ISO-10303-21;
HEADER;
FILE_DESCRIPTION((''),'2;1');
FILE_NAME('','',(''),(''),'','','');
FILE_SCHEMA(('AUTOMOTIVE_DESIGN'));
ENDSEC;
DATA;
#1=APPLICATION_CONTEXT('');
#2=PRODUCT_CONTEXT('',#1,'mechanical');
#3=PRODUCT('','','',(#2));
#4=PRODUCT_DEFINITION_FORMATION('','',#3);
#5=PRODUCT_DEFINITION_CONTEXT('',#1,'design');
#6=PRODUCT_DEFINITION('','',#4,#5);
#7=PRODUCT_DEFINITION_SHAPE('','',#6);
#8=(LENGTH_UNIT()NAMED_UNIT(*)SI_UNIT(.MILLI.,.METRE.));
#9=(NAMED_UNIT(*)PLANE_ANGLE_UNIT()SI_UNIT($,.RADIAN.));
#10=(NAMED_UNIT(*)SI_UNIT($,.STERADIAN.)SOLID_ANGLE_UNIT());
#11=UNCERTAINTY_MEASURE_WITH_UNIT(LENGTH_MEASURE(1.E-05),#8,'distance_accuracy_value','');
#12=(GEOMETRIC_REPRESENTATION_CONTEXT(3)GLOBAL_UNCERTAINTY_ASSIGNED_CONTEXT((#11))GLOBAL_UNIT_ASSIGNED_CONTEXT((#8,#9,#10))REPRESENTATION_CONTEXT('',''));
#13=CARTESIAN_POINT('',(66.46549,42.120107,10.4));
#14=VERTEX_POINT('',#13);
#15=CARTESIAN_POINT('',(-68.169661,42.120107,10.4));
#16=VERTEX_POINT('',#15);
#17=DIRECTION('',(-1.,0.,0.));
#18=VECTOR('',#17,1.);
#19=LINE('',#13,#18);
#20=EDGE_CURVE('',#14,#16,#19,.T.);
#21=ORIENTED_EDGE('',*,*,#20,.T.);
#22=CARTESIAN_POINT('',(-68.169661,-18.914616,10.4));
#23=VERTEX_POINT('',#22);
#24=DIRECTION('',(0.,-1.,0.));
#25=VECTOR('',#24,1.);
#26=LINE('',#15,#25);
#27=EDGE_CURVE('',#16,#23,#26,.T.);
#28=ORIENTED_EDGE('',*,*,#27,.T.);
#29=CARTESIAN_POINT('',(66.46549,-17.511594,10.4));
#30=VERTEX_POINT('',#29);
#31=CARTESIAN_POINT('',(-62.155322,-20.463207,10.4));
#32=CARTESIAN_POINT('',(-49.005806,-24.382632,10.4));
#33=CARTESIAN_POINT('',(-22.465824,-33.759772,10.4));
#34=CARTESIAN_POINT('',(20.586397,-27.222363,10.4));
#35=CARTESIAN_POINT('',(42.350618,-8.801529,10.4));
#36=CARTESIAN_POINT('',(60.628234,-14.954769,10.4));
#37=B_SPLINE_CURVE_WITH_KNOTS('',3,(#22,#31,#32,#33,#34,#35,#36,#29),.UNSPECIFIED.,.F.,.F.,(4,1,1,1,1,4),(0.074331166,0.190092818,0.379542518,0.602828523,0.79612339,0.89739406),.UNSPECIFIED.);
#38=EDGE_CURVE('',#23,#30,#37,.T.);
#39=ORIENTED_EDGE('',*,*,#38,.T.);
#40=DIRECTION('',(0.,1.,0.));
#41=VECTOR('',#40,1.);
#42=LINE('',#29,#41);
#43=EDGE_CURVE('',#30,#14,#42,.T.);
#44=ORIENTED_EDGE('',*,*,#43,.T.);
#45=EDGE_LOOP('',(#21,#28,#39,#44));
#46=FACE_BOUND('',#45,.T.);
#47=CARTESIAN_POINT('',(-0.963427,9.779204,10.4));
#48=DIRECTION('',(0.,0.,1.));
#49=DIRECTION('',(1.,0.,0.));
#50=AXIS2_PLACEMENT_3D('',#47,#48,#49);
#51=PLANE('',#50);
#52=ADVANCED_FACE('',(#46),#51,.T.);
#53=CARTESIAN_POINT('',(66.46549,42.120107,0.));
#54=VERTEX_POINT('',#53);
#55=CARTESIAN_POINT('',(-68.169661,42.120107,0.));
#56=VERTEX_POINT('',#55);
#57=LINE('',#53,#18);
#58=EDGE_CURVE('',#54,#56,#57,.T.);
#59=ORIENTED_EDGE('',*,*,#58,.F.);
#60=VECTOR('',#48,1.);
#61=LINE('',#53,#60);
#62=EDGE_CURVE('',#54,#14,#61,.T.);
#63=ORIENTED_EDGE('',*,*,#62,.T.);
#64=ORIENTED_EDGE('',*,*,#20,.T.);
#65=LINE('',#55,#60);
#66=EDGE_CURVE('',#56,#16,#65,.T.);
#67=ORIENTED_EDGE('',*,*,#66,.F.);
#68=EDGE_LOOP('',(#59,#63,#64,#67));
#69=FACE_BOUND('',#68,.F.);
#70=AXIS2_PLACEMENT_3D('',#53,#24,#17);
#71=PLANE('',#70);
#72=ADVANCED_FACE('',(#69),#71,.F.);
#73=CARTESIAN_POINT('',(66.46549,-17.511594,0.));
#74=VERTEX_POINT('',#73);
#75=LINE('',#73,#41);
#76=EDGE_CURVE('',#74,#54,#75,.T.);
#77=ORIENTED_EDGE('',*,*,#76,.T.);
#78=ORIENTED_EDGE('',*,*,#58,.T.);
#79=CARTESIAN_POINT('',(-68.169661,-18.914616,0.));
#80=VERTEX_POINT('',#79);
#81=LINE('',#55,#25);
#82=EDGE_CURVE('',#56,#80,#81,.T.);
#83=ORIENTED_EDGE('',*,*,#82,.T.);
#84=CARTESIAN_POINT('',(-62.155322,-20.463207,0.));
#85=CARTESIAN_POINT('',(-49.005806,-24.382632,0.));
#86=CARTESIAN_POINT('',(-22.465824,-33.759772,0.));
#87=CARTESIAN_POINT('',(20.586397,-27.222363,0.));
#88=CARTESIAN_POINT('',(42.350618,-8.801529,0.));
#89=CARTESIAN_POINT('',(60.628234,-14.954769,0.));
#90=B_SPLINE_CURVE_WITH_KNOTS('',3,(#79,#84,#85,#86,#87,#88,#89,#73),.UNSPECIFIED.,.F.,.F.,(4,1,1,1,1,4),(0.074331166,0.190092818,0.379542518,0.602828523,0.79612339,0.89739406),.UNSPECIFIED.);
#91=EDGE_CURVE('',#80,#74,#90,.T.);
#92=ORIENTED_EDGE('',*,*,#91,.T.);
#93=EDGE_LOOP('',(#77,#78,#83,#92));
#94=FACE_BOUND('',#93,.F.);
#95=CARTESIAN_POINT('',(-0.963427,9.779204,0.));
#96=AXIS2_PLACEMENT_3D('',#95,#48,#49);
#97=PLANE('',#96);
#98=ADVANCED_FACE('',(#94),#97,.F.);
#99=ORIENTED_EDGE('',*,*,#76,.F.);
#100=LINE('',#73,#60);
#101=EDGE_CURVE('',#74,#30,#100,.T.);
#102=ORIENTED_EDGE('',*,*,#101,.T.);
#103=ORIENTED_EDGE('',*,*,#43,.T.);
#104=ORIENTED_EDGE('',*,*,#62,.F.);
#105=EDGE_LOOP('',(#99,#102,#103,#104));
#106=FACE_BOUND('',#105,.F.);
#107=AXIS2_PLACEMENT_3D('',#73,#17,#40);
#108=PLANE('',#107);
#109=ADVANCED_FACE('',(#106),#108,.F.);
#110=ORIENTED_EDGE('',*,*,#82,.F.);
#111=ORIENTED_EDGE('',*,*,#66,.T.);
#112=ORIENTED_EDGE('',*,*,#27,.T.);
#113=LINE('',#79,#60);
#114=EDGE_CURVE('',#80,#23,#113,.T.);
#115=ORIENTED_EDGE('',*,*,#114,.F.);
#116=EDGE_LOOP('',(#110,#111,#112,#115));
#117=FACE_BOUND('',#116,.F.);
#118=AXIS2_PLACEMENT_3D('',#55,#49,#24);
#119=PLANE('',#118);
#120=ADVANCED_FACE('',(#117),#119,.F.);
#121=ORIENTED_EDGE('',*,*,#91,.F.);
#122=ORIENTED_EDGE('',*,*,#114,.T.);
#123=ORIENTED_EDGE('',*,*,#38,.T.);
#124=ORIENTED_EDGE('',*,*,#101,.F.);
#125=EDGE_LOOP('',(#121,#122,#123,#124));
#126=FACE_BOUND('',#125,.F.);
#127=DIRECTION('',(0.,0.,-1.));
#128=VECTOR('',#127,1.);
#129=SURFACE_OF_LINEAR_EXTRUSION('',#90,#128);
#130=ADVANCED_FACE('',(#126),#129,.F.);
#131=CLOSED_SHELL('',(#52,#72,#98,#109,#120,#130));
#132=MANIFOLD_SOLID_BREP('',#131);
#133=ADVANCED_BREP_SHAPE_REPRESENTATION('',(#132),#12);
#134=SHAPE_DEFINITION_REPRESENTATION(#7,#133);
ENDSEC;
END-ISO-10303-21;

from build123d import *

# Parameters (mm, degrees)
F1_DEPTH = 10.4


with BuildPart() as f1:
    # F0 (on Top) → F1 (new body)
    with BuildSketch(Plane.XY):
        with BuildLine():
            Line((66.4654895667, 42.1201065164), (-68.1696608659, 42.1201065164))
            Line((-68.1696608659, 42.1201065164), (-68.1696608659, -18.9146162553))
            add(Edge.make_bspline(
                [(-68.1696608659, -18.9146162553), (-62.1553218982, -20.4632070983), (-49.0058058525, -24.3826323424), (-22.4658243192, -33.7597719285), (20.5863967698, -27.2223625794), (42.3506180777, -8.8015285529), (60.6282336315, -14.9547688521), (66.4654895667, -17.5115943508)],
                knots=[0.0743311664, 0.0743311664, 0.0743311664, 0.0743311664, 0.1900928182, 0.3795425183, 0.6028285228, 0.7961233901, 0.8973940603, 0.8973940603, 0.8973940603, 0.8973940603], degree=3))
            Line((66.4654895667, -17.5115943508), (66.4654895667, 42.1201065164))
        make_face()
    extrude(amount=F1_DEPTH)


solid = f1.part
